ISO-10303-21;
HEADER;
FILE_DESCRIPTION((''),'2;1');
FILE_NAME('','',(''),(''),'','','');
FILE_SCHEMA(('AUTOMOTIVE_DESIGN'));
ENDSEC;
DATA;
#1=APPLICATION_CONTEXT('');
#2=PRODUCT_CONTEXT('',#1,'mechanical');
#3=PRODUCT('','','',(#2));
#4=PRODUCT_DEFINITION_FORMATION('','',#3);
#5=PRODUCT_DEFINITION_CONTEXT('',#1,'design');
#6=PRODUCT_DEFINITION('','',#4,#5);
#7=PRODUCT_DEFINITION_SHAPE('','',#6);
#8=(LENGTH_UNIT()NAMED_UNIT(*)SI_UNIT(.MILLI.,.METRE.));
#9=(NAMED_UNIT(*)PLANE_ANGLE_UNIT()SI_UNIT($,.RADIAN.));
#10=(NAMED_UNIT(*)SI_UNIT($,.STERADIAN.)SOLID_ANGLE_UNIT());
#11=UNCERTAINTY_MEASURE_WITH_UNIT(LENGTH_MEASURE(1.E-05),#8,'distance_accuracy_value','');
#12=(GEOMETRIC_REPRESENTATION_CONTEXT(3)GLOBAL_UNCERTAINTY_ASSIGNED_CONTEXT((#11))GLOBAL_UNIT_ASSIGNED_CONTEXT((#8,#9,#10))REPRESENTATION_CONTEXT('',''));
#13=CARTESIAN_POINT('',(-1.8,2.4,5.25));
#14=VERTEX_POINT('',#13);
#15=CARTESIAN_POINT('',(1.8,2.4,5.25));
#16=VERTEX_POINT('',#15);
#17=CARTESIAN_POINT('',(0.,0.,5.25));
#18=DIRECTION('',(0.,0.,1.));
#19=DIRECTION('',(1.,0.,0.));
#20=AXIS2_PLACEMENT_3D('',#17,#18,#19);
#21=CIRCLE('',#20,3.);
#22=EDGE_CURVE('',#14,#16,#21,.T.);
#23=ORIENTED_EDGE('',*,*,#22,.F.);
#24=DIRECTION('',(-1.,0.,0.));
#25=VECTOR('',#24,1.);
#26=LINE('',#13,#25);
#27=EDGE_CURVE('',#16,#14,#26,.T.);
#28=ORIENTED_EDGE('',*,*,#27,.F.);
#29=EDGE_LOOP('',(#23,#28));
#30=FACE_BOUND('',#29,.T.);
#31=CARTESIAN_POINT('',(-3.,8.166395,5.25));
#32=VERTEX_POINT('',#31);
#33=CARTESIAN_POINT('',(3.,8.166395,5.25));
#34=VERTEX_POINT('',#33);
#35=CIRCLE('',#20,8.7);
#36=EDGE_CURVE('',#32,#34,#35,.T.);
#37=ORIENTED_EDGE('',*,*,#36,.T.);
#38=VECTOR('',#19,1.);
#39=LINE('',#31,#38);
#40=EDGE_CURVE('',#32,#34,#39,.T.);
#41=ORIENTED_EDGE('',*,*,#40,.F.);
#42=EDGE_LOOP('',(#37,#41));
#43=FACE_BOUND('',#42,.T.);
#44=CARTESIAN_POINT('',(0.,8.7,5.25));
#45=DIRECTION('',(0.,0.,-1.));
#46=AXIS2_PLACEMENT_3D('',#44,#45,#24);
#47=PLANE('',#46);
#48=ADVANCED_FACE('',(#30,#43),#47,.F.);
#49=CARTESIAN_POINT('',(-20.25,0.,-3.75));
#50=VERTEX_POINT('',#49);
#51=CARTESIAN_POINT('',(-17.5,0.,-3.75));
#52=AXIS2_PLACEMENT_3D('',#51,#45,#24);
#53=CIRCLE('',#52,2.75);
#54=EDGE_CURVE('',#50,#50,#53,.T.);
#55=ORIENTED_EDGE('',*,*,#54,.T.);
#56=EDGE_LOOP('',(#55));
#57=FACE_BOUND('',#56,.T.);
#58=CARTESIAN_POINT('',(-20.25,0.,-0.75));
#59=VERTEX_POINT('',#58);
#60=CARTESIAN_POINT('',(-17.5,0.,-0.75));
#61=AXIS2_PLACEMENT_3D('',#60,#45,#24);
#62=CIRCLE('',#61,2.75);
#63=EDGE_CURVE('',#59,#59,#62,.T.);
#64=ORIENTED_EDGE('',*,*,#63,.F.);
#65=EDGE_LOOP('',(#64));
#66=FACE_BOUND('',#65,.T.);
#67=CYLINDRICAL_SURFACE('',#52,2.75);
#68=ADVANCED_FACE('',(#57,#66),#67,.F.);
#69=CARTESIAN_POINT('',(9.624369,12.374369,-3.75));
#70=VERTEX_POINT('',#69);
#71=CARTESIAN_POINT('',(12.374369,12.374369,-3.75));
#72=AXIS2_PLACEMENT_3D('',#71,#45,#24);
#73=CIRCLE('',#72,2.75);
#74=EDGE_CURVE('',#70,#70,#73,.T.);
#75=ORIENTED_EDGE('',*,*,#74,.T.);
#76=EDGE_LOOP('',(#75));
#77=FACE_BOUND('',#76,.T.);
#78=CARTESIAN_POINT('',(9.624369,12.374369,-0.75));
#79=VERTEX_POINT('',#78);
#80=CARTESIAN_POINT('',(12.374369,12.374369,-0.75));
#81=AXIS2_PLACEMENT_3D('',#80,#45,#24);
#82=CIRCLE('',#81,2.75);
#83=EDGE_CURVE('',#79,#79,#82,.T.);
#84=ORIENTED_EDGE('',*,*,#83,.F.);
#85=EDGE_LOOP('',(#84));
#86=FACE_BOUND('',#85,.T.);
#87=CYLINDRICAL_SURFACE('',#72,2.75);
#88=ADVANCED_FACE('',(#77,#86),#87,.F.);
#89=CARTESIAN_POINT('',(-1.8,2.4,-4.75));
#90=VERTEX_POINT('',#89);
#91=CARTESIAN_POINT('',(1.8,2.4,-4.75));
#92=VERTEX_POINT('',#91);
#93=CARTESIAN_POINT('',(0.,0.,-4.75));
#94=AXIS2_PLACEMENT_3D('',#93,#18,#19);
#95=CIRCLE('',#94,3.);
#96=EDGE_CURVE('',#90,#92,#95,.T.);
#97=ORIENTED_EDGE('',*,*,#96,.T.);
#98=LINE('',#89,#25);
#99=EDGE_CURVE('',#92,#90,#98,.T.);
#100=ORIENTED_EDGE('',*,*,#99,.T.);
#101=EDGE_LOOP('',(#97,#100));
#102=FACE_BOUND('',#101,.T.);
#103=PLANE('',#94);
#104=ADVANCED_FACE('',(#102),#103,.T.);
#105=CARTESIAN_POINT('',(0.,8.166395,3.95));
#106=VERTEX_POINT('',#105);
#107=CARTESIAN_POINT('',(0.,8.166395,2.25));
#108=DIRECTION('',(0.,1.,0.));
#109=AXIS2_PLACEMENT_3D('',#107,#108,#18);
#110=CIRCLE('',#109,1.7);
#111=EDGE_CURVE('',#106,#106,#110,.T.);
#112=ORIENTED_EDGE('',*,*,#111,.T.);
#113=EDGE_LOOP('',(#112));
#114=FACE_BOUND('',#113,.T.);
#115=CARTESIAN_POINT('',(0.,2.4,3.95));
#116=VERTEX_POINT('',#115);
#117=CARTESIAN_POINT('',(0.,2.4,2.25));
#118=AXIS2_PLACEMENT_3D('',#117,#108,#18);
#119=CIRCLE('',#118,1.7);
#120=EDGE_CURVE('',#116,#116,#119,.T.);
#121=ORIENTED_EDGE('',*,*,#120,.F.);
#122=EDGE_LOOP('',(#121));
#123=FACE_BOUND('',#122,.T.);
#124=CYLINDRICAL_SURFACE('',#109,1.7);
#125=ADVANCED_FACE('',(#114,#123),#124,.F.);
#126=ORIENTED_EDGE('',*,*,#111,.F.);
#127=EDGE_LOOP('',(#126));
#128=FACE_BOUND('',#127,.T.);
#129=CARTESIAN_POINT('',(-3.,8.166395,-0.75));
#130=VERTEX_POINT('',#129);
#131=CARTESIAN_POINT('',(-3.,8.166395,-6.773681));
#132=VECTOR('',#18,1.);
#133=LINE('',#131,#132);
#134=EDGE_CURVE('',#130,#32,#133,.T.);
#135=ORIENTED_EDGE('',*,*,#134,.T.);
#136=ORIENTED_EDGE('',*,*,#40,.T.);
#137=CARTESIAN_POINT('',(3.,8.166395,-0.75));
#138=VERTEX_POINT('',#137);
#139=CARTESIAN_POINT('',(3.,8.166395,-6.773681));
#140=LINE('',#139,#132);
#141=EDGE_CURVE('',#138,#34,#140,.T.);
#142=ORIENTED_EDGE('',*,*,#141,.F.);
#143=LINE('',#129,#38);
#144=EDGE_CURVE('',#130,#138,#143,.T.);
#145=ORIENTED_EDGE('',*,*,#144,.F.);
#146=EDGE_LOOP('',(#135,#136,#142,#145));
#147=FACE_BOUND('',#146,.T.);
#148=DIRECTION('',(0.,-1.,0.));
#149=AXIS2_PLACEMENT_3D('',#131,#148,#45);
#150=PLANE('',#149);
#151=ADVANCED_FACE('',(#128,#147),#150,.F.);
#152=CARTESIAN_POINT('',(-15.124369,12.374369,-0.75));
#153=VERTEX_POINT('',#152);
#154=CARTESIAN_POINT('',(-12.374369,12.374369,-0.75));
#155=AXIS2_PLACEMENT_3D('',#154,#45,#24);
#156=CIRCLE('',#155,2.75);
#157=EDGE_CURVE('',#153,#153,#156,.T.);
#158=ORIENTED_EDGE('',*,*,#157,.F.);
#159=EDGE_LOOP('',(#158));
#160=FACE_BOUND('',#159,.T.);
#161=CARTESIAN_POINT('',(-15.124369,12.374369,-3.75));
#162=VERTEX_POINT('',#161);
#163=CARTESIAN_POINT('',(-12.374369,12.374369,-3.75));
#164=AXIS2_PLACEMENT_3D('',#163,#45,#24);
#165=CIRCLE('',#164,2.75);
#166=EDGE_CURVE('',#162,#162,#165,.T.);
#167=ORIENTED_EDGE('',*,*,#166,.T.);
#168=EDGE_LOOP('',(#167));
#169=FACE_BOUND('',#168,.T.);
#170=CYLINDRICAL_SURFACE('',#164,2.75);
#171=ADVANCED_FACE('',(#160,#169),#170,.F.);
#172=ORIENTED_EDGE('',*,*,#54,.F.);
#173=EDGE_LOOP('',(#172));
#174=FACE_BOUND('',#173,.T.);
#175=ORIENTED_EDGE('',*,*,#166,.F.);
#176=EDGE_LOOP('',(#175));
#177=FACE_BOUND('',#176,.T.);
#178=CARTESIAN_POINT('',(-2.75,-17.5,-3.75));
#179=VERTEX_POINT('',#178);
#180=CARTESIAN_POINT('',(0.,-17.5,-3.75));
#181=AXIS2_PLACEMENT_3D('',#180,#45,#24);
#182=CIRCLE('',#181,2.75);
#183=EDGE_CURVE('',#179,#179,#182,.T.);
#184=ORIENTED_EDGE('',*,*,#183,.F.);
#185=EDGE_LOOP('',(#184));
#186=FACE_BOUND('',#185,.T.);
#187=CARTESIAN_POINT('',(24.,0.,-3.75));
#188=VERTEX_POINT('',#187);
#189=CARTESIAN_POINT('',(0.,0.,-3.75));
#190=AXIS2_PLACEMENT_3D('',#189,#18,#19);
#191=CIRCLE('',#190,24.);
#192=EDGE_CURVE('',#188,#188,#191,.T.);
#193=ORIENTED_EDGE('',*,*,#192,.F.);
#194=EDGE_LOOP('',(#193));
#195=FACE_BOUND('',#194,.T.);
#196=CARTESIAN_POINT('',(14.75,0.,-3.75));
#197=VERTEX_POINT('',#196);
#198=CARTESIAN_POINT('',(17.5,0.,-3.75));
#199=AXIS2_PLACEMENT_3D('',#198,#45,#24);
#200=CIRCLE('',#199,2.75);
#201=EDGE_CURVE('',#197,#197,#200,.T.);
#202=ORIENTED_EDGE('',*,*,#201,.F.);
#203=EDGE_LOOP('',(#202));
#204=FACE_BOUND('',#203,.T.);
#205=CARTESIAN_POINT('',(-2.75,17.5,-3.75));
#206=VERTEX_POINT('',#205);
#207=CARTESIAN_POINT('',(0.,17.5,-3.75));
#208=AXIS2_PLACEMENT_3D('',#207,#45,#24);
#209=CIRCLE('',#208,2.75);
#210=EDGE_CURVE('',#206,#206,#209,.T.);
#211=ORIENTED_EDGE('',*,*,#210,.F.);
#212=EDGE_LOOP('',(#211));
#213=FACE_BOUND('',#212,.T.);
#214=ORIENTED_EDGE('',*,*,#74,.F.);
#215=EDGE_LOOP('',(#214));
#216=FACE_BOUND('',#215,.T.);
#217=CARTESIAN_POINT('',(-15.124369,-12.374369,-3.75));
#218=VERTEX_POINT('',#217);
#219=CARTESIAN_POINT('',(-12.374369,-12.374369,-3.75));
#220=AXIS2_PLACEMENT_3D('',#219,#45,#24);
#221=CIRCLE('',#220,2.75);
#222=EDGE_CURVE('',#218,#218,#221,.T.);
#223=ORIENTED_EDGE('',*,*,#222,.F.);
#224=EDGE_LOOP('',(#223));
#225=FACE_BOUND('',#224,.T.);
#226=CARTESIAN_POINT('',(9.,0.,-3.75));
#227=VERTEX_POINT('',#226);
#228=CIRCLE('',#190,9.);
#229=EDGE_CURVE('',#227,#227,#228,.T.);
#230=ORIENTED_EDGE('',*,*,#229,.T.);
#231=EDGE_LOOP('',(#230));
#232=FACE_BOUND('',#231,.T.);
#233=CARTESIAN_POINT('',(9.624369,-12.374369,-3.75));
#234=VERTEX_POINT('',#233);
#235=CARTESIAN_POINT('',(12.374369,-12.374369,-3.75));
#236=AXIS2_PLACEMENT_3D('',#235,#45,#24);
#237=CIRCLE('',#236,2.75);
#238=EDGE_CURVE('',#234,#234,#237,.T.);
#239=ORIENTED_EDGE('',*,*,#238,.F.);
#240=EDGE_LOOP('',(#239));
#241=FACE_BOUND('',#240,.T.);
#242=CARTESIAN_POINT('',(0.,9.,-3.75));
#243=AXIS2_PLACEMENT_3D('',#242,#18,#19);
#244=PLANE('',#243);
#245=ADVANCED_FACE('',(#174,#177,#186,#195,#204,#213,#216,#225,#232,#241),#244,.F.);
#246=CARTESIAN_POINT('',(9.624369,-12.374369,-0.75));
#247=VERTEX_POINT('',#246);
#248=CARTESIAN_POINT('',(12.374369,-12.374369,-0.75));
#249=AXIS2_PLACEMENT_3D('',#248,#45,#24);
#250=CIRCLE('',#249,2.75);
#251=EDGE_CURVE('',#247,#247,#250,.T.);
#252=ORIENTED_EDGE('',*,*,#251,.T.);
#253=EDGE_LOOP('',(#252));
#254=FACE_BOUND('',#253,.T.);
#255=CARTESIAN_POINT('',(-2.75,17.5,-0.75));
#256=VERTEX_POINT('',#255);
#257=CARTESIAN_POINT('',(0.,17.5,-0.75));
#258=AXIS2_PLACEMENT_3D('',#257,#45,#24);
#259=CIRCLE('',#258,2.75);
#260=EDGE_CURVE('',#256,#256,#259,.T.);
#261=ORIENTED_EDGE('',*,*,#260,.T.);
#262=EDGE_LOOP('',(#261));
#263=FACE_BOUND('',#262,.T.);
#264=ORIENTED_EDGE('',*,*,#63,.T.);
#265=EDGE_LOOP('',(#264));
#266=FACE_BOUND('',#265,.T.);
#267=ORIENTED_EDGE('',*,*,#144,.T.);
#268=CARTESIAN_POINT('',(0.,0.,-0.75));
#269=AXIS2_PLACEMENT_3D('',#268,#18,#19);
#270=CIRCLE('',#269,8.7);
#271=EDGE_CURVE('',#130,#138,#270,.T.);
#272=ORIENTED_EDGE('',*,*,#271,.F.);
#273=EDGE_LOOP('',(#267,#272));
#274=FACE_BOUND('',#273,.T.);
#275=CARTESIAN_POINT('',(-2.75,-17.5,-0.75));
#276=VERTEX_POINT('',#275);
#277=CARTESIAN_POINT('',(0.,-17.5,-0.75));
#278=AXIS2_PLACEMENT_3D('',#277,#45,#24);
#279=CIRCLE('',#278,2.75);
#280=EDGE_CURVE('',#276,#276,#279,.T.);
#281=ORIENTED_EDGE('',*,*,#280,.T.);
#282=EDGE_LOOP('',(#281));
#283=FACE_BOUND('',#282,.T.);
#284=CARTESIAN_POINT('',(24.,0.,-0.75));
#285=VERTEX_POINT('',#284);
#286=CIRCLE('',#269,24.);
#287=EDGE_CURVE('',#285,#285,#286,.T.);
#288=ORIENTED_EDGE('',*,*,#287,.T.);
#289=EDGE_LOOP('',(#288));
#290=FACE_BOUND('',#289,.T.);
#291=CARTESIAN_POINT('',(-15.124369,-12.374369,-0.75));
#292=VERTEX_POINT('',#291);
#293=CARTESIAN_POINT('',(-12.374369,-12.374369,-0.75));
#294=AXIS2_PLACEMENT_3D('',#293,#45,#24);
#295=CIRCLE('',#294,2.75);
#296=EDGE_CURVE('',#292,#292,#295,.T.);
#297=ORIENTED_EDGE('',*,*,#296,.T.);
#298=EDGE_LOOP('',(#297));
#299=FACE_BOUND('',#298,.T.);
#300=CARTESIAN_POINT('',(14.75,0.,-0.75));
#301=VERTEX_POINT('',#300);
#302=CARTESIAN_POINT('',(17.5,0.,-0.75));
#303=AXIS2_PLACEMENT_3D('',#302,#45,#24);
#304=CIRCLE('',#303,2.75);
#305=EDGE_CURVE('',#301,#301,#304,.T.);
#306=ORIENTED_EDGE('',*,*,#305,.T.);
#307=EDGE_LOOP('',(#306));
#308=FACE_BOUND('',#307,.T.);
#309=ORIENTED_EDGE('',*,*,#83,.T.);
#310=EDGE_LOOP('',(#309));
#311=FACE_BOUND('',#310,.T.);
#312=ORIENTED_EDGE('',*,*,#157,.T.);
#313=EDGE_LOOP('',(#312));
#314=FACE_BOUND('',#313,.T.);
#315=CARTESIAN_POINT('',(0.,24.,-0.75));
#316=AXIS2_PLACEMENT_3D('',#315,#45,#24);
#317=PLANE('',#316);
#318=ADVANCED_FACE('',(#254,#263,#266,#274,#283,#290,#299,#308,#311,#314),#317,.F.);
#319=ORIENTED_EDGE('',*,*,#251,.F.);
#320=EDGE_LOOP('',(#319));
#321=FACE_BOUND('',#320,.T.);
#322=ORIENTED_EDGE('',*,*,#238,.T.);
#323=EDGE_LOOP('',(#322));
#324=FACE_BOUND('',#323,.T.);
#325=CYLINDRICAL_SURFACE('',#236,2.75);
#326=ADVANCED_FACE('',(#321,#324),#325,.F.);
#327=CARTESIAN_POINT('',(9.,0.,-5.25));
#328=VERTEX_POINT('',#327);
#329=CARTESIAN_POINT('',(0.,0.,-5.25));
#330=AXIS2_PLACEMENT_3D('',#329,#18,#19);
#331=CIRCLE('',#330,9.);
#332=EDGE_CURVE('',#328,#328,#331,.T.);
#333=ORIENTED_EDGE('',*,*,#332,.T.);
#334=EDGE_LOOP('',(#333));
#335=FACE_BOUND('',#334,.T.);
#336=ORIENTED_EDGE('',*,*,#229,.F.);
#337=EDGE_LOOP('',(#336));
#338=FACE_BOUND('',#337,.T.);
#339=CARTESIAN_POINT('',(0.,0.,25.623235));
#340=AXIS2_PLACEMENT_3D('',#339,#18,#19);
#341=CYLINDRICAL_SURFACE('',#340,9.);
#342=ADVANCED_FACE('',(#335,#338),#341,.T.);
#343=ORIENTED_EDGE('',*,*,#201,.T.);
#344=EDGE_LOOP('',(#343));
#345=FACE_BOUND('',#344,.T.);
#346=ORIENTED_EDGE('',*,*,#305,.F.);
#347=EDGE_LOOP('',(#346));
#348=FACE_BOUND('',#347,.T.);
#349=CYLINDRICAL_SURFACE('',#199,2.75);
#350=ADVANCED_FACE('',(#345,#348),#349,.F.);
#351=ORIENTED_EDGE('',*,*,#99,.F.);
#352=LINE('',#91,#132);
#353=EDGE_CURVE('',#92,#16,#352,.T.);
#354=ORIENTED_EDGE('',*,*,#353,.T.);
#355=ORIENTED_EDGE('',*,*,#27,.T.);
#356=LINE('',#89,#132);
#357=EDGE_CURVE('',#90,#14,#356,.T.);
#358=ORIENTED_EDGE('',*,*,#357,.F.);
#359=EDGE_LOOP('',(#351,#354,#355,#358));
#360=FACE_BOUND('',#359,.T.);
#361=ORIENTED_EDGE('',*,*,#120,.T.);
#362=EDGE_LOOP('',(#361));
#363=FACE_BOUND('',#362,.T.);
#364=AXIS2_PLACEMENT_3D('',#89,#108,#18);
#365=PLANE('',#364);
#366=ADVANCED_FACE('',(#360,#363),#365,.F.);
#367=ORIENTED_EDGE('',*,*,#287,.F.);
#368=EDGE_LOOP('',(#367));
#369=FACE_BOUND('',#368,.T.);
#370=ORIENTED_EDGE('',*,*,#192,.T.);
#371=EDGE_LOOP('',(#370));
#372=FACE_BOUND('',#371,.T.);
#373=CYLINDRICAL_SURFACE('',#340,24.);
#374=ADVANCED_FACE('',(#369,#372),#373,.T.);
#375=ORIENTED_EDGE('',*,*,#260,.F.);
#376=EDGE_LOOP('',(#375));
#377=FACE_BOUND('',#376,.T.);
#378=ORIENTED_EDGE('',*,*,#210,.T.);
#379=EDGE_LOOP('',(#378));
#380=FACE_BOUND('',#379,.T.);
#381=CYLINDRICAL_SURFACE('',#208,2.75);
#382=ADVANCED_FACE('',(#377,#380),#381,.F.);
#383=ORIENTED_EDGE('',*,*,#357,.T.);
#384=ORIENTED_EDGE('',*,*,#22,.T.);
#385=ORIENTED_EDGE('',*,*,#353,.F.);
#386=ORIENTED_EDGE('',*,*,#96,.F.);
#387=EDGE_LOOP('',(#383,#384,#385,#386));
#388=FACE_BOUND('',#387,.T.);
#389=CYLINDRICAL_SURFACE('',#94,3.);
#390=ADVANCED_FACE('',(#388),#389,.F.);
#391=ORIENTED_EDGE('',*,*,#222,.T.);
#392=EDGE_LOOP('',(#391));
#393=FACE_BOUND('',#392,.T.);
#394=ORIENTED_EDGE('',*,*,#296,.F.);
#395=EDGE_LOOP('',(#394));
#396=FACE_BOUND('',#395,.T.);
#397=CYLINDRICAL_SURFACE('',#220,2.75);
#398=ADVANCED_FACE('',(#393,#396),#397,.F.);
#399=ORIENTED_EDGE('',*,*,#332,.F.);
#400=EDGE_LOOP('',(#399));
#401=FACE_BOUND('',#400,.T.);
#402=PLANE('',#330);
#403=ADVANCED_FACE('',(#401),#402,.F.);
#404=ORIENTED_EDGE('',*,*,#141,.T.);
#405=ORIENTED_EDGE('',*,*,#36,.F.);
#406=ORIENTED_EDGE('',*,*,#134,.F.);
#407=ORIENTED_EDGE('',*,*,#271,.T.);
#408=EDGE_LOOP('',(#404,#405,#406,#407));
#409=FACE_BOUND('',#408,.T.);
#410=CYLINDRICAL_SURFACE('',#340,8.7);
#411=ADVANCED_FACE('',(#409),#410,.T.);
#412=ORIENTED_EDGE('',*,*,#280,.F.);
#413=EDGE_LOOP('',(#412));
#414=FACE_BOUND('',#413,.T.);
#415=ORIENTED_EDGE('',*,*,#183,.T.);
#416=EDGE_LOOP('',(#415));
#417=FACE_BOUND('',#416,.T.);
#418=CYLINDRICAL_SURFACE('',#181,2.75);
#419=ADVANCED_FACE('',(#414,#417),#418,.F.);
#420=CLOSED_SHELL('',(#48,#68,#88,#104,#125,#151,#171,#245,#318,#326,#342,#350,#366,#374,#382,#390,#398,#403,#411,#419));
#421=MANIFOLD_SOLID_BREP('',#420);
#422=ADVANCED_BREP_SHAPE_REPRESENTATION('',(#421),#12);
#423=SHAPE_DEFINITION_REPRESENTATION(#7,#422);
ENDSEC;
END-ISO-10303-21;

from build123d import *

# Parameters (mm, degrees)
CORTAR_EXTRUIR1_DEPTH            = 10
TALADRO_DE_MARGEN_PARA_M51_D     = 5.5
CORTAR_EXTRUIR2_DEPTH            = 6
TALADRO_DE_MARGEN_PARA_M31_D     = 3.4
TALADRO_DE_MARGEN_PARA_M31_DEPTH = 5.766394553


with BuildPart() as part:
    # Croquis1 → Revolución1 (revolve)
    with BuildSketch(Plane(origin=(0, 0, 0), x_dir=(0, 0, -1), z_dir=(1, 0, 0)), mode=Mode.PRIVATE) as revoluci_n1_sk:
        Polygon((-5.25, 0), (5.25, 0), (5.25, 9), (3.75, 9), (3.75, 24), (0.75, 24), (0.75, 8.7), (-5.25, 8.7), align=None)
    revolve(revoluci_n1_sk.sketch.rotate(Axis((0, 0, 25.623234534), (0, 0, -1)), 90), axis=Axis((0, 0, 25.623234534), (0, 0, -1)))

    # Croquis2 → Cortar-Extruir1 (cut)
    with BuildSketch(Plane.XY.offset(5.25)):
        with BuildLine():
            Line((-1.8, 2.4), (1.8, 2.4))
            ThreePointArc((1.8, 2.4), (0, -3), (-1.8, 2.4))
        make_face()
    extrude(amount=-CORTAR_EXTRUIR1_DEPTH, mode=Mode.SUBTRACT)

    # Taladro de margen para M51 (through all)
    with Locations(Plane(origin=(0, 17.5, -3.75), x_dir=(-1, 0, 0), z_dir=(0, 0, -1))):
        with Locations((0, 0), (12.374368671, -5.125631329), (17.5, -17.5), (12.374368671, -29.874368671), (0, -35), (-12.374368671, -29.874368671), (-17.5, -17.5), (-12.374368671, -5.125631329)):
            Hole(TALADRO_DE_MARGEN_PARA_M51_D / 2)

    # Croquis10 → Cortar-Extruir2 (cut)
    with BuildSketch(Plane.XY.offset(5.25)):
        with BuildLine():
            Line((-3, 8.166394553), (3, 8.166394553))
            ThreePointArc((3, 8.166394553), (0, 8.7), (-3, 8.166394553))
        make_face()
    extrude(amount=-CORTAR_EXTRUIR2_DEPTH, mode=Mode.SUBTRACT)

    # Taladro de margen para M31
    with Locations(Plane(origin=(0, 8.166394553, 2.25), x_dir=(0, 0, 1), z_dir=(0, 1, 0))):
        with Locations((0, 0)):
            Hole(TALADRO_DE_MARGEN_PARA_M31_D / 2, depth=TALADRO_DE_MARGEN_PARA_M31_DEPTH)


solid = part.part
